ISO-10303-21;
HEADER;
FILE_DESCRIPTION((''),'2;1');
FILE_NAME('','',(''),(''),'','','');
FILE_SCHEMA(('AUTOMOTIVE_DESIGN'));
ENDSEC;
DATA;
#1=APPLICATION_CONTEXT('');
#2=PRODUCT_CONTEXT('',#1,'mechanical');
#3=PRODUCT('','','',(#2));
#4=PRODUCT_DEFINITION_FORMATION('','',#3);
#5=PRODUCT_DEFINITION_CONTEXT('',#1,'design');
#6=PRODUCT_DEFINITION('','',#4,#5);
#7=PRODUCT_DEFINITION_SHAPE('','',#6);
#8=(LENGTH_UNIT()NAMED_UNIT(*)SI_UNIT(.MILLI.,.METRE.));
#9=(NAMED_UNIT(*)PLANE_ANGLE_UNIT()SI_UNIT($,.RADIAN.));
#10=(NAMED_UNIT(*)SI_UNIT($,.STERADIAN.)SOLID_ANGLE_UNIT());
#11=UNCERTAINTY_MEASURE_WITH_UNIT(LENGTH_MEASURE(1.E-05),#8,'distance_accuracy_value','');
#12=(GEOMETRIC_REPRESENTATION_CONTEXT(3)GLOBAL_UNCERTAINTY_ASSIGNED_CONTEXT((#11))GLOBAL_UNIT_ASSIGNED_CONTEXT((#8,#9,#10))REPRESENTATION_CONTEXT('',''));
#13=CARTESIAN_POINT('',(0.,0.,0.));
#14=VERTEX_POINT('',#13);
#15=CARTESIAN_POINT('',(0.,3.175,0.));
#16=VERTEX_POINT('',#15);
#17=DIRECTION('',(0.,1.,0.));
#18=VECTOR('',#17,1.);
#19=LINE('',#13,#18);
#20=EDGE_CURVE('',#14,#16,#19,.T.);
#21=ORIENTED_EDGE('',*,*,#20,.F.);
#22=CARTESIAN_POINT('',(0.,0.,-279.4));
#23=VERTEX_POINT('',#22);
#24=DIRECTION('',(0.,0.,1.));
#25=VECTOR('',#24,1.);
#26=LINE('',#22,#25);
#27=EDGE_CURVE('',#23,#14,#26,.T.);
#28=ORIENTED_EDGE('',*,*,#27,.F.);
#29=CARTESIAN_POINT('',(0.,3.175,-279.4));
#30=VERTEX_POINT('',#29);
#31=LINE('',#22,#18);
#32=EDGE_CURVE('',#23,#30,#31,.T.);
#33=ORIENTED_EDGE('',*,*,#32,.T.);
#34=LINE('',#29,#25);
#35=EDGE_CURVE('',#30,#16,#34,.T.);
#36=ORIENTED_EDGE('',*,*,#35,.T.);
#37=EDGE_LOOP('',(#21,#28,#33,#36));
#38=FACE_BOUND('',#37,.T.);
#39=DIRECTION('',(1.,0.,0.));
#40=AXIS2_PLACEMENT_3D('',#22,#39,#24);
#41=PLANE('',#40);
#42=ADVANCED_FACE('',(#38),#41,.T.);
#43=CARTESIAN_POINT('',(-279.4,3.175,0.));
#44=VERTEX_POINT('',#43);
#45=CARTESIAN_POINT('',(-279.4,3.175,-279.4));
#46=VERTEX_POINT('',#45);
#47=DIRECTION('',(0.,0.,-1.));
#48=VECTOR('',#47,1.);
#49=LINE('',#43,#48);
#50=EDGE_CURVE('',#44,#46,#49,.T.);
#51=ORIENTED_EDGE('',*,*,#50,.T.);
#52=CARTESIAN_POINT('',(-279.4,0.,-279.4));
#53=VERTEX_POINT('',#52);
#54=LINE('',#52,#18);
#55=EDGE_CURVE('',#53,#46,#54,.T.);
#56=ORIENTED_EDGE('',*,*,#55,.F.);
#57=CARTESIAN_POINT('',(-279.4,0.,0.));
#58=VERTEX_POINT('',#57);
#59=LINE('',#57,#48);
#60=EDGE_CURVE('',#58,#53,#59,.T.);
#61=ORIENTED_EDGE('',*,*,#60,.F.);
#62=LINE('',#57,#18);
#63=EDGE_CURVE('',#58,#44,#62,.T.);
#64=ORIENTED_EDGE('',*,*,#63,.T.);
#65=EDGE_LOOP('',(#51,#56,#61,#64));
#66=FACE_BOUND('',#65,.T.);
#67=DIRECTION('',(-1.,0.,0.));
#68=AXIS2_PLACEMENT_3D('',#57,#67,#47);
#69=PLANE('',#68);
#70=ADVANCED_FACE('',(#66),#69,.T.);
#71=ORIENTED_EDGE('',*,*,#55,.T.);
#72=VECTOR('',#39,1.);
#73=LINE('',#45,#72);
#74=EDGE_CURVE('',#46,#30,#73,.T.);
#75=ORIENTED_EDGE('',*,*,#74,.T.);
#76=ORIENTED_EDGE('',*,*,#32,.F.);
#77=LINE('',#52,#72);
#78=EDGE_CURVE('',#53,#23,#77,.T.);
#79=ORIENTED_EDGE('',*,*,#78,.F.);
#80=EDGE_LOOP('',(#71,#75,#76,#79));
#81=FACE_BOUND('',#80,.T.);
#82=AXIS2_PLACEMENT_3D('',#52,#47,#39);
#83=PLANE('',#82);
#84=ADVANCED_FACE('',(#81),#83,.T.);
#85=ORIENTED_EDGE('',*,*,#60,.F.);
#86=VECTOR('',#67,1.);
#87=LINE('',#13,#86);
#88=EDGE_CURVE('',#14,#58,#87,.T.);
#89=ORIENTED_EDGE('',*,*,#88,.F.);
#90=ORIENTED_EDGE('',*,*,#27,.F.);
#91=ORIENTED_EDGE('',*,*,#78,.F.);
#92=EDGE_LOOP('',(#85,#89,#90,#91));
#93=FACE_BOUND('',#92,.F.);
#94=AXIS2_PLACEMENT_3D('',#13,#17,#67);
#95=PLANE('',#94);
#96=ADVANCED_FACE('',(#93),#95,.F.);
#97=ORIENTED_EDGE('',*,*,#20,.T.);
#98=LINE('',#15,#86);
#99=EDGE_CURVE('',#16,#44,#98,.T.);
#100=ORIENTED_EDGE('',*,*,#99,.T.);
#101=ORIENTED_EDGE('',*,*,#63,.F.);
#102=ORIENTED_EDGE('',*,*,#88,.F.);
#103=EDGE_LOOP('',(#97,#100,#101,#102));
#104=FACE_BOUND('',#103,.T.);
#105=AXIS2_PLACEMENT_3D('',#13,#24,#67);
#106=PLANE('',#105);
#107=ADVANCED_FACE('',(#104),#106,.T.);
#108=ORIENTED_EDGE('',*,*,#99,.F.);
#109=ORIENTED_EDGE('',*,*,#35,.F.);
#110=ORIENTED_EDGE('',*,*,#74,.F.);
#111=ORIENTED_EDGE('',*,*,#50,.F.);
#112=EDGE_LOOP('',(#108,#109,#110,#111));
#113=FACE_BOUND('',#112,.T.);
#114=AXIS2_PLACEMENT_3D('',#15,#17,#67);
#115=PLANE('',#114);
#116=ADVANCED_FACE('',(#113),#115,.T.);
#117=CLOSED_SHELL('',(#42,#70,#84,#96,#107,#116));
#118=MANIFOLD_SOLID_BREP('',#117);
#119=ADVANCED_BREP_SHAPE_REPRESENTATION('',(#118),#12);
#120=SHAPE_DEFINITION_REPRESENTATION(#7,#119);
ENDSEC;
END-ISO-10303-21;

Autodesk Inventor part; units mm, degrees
ref_plane "YZ Plane" through (0, 0, 0) normal (1, 0, 0) x (0, 1, 0)
ref_plane "XZ Plane" through (0, 0, 0) normal (0, 1, 0) x (-1, 0, 0)
ref_plane "XY Plane" through (0, 0, 0) normal (0, 0, 1) x (1, 0, 0)
sketch "Sketch1" plane through (0, 0, 0) normal (0, 1, 0) x (-1, 0, 0)
  line L0 (0, 0) -> (279.4, 0)
  line L1 (279.4, 0) -> (279.4, -279.4)
  line L2 (279.4, -279.4) -> (0, -279.4)
  line L3 (0, -279.4) -> (0, 0)
  dimension "d0" = 279.4
  dimension "d1" = 279.4
extrude "Extrusion1" add sketch "Sketch1" along normal blind 3.175
properties part number "Conduction Sheet" material "Aluminum 6061"
